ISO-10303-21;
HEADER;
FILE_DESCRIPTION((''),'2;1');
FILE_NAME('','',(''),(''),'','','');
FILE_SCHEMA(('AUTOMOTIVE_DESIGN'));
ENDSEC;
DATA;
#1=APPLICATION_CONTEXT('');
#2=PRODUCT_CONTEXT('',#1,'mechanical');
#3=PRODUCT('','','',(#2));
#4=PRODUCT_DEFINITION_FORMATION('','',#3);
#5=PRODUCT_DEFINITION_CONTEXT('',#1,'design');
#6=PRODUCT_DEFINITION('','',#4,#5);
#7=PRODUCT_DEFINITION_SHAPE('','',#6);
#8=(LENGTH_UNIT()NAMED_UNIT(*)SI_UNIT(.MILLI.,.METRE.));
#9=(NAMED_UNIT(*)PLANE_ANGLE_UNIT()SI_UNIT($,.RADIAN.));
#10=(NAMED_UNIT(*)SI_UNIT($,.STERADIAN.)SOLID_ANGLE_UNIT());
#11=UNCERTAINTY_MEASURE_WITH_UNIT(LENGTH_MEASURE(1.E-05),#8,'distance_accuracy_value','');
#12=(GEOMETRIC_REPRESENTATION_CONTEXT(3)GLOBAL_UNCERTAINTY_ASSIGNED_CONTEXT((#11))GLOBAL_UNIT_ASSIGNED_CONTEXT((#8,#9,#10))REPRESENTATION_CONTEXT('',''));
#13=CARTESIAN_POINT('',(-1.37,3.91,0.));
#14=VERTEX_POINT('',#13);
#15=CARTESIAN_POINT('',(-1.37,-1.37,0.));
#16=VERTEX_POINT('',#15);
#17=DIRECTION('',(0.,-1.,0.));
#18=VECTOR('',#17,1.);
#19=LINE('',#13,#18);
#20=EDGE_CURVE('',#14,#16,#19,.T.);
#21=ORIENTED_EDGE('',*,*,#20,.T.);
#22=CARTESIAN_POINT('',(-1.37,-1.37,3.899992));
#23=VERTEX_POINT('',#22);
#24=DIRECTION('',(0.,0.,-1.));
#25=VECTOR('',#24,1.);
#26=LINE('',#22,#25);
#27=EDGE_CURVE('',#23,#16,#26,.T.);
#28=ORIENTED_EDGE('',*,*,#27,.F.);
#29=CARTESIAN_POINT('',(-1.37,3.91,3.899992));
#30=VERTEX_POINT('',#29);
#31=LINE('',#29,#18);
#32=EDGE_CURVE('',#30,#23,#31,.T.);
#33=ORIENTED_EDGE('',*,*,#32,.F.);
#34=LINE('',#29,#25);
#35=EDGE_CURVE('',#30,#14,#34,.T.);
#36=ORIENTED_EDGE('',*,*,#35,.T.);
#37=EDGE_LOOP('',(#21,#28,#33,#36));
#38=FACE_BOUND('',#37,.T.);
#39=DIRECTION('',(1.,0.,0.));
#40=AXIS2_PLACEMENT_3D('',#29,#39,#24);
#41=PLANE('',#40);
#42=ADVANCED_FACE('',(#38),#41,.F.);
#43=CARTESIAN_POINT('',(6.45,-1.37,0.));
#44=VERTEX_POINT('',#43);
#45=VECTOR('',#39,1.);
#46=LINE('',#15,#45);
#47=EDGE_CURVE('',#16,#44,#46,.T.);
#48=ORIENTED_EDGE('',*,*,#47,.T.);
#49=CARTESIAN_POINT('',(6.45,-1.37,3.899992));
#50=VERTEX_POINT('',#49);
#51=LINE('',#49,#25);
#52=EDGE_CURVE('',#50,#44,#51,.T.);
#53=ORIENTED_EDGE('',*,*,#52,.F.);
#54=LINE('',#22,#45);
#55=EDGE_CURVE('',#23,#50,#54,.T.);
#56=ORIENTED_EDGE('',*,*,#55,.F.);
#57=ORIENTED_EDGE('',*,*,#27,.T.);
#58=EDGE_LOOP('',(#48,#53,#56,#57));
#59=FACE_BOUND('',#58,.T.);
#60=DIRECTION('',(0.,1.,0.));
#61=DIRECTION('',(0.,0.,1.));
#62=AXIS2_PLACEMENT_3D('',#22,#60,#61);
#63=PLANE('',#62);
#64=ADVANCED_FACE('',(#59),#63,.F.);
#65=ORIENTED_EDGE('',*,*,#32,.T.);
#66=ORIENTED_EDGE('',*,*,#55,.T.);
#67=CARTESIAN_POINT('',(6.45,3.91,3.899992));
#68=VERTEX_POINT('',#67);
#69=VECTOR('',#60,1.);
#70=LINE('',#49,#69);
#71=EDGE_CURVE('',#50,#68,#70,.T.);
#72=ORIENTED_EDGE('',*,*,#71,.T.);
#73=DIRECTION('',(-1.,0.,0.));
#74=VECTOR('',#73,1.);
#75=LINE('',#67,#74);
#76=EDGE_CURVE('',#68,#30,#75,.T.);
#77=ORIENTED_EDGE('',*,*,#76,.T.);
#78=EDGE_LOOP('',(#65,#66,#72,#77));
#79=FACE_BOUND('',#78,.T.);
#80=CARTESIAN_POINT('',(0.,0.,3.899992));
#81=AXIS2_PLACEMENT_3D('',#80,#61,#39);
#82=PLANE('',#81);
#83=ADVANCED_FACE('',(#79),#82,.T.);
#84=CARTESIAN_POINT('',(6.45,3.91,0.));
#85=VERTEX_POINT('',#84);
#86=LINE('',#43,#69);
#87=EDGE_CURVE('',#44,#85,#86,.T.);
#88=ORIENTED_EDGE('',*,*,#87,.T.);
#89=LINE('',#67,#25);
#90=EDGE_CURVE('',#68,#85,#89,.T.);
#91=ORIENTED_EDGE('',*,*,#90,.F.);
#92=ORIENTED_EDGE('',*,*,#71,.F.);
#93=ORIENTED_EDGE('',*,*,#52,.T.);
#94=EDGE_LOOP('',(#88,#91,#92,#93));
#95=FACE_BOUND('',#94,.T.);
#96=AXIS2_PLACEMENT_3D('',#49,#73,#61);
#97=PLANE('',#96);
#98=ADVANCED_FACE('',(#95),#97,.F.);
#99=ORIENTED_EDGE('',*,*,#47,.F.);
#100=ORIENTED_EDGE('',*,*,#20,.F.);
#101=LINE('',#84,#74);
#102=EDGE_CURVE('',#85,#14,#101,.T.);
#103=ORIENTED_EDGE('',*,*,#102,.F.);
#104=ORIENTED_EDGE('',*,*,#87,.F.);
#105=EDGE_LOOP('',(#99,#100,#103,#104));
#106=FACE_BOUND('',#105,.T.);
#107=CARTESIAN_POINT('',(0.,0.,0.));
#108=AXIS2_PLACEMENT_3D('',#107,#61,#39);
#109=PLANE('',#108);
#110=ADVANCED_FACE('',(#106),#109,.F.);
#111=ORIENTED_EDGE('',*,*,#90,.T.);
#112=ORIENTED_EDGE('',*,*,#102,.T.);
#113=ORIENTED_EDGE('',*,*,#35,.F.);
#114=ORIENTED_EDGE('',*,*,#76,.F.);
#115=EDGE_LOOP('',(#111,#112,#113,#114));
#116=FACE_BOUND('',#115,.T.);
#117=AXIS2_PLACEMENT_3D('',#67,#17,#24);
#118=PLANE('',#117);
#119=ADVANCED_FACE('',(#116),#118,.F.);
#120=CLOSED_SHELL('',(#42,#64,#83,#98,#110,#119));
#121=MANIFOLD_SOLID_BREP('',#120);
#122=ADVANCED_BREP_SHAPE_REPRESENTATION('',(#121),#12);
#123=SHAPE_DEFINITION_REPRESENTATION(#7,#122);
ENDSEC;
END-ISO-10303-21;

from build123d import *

# Parameters (mm, degrees)
SKETCH1_W               = 7.8199996
SKETCH1_H               = 5.2799996
COMPONENT_OUTLINE_DEPTH = 3.8999922


with BuildPart() as part:
    # Sketch1 → Component_Outline (new body)
    with BuildSketch(Plane.XY):
        with Locations((2.54, 1.27)):
            Rectangle(SKETCH1_W, SKETCH1_H)
    extrude(amount=COMPONENT_OUTLINE_DEPTH)


solid = part.part
